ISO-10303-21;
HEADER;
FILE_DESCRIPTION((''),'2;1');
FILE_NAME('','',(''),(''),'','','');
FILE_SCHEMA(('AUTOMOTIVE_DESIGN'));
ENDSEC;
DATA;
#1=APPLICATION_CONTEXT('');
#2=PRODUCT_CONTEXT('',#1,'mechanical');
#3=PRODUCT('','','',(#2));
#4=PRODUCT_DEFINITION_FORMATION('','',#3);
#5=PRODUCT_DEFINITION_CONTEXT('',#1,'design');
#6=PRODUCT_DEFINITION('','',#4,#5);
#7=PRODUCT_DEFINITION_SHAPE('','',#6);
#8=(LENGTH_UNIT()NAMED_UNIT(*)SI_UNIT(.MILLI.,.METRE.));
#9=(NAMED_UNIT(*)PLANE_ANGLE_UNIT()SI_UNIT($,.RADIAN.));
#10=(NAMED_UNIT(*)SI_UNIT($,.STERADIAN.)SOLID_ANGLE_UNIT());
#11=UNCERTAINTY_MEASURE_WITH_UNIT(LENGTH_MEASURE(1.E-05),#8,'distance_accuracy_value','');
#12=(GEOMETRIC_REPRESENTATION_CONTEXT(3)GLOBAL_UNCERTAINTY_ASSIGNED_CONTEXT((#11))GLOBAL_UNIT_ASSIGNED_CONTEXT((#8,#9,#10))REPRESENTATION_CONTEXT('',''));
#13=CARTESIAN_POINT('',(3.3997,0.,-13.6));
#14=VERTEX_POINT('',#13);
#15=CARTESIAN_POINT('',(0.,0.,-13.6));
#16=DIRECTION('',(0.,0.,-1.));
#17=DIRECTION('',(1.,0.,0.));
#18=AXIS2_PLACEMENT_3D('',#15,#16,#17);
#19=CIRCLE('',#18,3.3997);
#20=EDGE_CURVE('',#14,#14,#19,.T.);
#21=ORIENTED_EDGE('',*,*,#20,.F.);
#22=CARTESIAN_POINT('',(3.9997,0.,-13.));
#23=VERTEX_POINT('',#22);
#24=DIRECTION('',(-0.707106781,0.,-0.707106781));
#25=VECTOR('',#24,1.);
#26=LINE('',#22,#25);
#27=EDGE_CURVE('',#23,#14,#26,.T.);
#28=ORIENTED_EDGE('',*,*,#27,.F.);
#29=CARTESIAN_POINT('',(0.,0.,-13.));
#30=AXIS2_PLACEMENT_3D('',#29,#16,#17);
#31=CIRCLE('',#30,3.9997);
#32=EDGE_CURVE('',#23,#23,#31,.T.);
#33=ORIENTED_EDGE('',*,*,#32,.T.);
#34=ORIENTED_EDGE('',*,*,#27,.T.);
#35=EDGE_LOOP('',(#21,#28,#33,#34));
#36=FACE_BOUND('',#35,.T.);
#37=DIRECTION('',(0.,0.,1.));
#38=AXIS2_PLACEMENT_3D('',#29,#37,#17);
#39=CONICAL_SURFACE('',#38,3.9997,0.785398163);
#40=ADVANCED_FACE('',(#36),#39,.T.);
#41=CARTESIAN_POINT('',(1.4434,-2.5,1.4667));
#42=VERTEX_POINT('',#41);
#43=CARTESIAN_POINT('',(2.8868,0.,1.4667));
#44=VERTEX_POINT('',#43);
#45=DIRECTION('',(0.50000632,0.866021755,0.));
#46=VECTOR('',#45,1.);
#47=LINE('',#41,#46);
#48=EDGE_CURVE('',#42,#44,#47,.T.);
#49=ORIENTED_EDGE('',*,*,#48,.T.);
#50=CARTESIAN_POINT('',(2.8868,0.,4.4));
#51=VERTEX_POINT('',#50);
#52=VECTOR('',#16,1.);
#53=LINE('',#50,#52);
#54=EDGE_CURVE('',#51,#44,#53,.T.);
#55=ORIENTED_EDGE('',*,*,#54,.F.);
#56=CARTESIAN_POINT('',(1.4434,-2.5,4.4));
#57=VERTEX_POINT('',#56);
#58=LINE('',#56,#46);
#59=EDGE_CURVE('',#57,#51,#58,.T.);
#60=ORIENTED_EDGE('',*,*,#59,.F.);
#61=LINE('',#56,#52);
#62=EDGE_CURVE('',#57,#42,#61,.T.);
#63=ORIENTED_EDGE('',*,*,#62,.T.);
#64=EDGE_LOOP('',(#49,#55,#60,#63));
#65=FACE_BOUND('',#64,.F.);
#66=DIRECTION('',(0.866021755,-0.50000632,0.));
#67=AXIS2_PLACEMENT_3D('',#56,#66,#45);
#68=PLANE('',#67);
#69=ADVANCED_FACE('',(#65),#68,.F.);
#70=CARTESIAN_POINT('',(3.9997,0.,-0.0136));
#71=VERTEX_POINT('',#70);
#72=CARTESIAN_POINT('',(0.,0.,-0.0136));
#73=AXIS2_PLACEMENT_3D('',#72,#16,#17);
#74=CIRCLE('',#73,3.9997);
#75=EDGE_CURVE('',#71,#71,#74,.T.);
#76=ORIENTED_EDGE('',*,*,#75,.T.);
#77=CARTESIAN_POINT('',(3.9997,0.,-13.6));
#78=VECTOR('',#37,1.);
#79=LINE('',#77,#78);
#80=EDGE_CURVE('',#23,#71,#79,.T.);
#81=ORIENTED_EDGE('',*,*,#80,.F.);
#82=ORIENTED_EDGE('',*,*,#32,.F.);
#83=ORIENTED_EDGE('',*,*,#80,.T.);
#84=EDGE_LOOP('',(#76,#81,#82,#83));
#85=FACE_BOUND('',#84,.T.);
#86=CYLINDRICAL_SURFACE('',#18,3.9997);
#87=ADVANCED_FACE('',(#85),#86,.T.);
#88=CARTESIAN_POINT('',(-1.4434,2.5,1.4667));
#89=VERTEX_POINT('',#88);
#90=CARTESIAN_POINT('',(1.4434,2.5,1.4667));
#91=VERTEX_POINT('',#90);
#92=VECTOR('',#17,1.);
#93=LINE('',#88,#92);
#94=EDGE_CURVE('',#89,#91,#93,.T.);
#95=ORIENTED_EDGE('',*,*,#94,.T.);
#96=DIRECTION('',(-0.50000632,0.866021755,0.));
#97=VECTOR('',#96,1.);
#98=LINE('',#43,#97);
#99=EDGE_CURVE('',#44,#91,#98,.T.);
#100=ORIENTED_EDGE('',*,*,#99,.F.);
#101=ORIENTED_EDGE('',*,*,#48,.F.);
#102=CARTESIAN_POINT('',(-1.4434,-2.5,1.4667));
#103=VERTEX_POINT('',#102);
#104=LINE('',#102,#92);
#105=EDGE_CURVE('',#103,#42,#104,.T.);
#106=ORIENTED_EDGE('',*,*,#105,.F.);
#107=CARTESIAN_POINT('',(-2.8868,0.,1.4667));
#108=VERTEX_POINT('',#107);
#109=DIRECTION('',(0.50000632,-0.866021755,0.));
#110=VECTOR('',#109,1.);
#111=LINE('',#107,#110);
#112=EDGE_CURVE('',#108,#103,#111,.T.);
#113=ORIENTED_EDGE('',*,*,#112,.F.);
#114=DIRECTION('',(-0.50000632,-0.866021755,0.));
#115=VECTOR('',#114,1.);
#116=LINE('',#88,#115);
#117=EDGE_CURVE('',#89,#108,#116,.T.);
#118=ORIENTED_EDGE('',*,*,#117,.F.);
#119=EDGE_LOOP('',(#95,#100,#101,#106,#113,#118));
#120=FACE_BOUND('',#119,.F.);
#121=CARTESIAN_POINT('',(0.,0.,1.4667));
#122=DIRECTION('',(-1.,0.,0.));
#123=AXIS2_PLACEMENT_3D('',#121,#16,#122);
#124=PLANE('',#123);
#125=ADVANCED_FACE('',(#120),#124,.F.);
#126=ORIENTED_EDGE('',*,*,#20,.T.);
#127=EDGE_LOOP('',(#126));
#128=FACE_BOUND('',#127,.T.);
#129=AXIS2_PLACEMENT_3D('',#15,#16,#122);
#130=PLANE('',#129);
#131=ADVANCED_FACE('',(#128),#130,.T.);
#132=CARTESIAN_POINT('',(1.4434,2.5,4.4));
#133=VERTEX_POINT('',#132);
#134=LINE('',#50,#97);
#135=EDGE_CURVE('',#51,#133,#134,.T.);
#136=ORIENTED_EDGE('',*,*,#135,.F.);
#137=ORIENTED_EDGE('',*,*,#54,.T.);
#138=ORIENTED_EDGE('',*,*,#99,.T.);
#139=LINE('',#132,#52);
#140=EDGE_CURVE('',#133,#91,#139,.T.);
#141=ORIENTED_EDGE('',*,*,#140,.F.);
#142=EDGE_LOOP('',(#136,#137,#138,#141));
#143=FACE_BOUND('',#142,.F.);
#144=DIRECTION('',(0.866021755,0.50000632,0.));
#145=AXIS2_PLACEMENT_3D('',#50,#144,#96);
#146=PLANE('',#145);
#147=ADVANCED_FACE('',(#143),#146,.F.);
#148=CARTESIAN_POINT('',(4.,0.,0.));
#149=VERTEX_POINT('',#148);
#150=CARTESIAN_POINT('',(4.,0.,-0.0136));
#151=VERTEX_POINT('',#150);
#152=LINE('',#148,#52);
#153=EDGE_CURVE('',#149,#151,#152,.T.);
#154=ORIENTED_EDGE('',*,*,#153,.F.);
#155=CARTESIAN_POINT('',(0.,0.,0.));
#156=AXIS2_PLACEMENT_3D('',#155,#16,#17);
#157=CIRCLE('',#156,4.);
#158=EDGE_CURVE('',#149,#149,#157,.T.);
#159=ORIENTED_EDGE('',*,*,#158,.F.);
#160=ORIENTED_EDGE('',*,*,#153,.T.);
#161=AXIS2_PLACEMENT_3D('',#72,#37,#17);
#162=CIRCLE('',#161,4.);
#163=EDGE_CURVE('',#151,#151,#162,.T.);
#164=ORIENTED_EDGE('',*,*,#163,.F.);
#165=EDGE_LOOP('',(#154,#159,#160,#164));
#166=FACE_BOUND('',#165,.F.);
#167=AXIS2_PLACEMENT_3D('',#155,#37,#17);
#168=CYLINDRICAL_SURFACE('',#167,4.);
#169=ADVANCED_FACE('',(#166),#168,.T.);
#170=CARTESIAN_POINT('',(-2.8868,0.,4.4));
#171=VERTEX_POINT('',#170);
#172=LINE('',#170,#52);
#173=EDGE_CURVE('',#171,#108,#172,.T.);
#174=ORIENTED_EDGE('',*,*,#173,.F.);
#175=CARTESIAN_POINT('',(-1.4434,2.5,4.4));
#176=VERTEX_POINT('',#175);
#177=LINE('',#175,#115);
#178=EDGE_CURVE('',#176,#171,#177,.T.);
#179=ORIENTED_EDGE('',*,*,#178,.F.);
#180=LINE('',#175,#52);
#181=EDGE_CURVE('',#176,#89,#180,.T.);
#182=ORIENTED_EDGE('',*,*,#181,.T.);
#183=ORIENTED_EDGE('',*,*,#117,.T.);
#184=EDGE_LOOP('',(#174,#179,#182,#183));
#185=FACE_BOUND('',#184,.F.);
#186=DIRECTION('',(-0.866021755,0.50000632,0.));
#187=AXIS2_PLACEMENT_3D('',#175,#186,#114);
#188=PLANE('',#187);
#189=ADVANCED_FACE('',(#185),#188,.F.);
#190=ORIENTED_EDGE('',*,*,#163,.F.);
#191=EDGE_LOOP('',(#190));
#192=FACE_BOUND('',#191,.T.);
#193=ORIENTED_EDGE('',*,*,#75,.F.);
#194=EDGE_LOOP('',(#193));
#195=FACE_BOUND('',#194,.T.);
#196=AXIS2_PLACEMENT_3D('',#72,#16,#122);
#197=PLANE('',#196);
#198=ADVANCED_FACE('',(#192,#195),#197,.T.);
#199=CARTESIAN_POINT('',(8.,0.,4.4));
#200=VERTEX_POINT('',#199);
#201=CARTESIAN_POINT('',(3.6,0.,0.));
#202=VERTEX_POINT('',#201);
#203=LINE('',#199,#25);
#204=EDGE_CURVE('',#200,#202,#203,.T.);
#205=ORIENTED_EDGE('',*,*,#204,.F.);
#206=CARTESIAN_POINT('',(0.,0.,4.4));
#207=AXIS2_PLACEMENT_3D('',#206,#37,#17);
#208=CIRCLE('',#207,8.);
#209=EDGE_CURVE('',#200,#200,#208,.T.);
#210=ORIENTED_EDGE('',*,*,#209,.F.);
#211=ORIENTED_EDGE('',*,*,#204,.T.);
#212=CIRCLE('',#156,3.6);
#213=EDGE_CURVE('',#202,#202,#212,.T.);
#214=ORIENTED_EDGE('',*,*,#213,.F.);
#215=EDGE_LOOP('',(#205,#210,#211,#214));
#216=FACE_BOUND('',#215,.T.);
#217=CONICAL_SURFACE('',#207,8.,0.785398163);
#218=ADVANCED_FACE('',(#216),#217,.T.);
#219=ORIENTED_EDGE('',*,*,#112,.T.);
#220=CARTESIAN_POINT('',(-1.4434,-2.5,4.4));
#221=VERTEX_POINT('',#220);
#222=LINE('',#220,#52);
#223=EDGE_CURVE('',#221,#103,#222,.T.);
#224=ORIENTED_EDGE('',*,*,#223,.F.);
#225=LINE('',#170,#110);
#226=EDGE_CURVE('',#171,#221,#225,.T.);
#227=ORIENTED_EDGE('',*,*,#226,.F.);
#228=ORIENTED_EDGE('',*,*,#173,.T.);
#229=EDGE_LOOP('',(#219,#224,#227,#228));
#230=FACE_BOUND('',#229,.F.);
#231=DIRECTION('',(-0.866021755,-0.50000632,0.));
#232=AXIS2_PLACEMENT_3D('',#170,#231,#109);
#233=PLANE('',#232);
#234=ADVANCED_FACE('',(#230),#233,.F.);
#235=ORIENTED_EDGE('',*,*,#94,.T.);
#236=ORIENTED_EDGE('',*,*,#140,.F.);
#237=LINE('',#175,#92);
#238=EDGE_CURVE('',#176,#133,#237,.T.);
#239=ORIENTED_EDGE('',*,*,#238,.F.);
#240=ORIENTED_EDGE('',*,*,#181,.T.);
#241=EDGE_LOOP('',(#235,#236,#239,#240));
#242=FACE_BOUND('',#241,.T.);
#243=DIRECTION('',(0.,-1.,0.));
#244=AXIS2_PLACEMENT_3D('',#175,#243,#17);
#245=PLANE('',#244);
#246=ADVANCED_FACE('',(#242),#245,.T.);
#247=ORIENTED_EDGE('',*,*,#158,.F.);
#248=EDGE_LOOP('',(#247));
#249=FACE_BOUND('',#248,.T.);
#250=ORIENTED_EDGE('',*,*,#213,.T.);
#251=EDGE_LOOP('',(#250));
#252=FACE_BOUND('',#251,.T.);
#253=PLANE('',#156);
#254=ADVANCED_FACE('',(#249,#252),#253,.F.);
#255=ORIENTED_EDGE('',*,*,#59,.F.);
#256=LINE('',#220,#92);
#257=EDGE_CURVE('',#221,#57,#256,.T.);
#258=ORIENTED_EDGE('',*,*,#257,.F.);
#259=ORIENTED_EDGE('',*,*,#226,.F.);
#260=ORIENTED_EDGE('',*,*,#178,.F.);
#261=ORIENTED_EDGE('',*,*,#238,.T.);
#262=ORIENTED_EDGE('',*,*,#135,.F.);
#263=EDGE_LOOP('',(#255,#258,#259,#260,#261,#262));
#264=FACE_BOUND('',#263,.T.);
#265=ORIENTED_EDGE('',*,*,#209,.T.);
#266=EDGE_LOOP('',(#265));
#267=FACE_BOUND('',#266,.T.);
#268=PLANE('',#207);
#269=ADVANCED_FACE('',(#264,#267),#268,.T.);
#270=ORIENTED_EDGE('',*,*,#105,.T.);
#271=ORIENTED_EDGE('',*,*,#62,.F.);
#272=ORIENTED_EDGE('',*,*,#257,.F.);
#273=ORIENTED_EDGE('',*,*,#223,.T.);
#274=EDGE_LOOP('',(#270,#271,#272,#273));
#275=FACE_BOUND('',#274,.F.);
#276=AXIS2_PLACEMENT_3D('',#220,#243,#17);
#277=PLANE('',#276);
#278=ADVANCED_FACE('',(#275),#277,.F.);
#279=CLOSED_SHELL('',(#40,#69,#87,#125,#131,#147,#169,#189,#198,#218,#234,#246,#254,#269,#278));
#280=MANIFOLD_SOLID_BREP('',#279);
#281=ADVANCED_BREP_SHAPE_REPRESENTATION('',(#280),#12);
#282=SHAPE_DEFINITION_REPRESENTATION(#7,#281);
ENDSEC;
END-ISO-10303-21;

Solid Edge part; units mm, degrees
sketch "Sketch1" plane through (0, 0, 0) normal (0, 0, 1) x (1, 0, 0)
  circle A0 centre (0, 0) radius 8
  dimension "D1" = 16
extrude "Protrusion1" add sketch "Sketch1" along normal blind 4.4
sketch "Sketch2" plane through (0, 0, 0) normal (0, 0, -1) x (1, 0, 0)
  circle A0 centre (0, 0) radius 4
extrude "Protrusion2" add sketch "Sketch2" along normal blind 13.6
sketch "Sketch3" plane through (0, 0, -13.6) normal (0, 0, -1) x (1, 0, 0)
  circle A0 centre (0, 0) radius 3.9997
extrude "Cutout1" cut sketch "Sketch3" against normal blind 13.5864 flip side to cut
chamfer "Chamfer_1" distance 0.6 angle 45 1 edges at (-3.9997, 0, -13.6)
sketch "Sketch4" plane through (0, 0, 4.4) normal (0, 0, 1) x (1, 0, 0)
  line L0 (-1.4434, 2.5) -> (1.4434, 2.5)
  line L1 (2.8868, 0) -> (1.4434, 2.5)
  line L2 (1.4434, -2.5) -> (2.8868, 0)
  line L3 (-1.4434, -2.5) -> (1.4434, -2.5)
  line L4 (-2.8868, 0) -> (-1.4434, -2.5)
  line L5 (-1.4434, 2.5) -> (-2.8868, 0)
  dimension "D1" = 5
extrude "Cutout2" cut sketch "Sketch4" against normal blind 2.9333
sketch "Sketch5" plane through (0, 0, 0) normal (0, -1, 0) x (1, 0, 0)
  line L0 (8, 4.4) -> (3.6, 0)
  line L1 (3.6, 0) -> (8, 0)
  line L2 (8, 0) -> (8, 4.4)
revolve "RevolvedCutout1" cut sketch "Sketch5" angle 360 about axis through (0, 0, 14.0017) along (0, 0, -1)
properties part number "24104091"
